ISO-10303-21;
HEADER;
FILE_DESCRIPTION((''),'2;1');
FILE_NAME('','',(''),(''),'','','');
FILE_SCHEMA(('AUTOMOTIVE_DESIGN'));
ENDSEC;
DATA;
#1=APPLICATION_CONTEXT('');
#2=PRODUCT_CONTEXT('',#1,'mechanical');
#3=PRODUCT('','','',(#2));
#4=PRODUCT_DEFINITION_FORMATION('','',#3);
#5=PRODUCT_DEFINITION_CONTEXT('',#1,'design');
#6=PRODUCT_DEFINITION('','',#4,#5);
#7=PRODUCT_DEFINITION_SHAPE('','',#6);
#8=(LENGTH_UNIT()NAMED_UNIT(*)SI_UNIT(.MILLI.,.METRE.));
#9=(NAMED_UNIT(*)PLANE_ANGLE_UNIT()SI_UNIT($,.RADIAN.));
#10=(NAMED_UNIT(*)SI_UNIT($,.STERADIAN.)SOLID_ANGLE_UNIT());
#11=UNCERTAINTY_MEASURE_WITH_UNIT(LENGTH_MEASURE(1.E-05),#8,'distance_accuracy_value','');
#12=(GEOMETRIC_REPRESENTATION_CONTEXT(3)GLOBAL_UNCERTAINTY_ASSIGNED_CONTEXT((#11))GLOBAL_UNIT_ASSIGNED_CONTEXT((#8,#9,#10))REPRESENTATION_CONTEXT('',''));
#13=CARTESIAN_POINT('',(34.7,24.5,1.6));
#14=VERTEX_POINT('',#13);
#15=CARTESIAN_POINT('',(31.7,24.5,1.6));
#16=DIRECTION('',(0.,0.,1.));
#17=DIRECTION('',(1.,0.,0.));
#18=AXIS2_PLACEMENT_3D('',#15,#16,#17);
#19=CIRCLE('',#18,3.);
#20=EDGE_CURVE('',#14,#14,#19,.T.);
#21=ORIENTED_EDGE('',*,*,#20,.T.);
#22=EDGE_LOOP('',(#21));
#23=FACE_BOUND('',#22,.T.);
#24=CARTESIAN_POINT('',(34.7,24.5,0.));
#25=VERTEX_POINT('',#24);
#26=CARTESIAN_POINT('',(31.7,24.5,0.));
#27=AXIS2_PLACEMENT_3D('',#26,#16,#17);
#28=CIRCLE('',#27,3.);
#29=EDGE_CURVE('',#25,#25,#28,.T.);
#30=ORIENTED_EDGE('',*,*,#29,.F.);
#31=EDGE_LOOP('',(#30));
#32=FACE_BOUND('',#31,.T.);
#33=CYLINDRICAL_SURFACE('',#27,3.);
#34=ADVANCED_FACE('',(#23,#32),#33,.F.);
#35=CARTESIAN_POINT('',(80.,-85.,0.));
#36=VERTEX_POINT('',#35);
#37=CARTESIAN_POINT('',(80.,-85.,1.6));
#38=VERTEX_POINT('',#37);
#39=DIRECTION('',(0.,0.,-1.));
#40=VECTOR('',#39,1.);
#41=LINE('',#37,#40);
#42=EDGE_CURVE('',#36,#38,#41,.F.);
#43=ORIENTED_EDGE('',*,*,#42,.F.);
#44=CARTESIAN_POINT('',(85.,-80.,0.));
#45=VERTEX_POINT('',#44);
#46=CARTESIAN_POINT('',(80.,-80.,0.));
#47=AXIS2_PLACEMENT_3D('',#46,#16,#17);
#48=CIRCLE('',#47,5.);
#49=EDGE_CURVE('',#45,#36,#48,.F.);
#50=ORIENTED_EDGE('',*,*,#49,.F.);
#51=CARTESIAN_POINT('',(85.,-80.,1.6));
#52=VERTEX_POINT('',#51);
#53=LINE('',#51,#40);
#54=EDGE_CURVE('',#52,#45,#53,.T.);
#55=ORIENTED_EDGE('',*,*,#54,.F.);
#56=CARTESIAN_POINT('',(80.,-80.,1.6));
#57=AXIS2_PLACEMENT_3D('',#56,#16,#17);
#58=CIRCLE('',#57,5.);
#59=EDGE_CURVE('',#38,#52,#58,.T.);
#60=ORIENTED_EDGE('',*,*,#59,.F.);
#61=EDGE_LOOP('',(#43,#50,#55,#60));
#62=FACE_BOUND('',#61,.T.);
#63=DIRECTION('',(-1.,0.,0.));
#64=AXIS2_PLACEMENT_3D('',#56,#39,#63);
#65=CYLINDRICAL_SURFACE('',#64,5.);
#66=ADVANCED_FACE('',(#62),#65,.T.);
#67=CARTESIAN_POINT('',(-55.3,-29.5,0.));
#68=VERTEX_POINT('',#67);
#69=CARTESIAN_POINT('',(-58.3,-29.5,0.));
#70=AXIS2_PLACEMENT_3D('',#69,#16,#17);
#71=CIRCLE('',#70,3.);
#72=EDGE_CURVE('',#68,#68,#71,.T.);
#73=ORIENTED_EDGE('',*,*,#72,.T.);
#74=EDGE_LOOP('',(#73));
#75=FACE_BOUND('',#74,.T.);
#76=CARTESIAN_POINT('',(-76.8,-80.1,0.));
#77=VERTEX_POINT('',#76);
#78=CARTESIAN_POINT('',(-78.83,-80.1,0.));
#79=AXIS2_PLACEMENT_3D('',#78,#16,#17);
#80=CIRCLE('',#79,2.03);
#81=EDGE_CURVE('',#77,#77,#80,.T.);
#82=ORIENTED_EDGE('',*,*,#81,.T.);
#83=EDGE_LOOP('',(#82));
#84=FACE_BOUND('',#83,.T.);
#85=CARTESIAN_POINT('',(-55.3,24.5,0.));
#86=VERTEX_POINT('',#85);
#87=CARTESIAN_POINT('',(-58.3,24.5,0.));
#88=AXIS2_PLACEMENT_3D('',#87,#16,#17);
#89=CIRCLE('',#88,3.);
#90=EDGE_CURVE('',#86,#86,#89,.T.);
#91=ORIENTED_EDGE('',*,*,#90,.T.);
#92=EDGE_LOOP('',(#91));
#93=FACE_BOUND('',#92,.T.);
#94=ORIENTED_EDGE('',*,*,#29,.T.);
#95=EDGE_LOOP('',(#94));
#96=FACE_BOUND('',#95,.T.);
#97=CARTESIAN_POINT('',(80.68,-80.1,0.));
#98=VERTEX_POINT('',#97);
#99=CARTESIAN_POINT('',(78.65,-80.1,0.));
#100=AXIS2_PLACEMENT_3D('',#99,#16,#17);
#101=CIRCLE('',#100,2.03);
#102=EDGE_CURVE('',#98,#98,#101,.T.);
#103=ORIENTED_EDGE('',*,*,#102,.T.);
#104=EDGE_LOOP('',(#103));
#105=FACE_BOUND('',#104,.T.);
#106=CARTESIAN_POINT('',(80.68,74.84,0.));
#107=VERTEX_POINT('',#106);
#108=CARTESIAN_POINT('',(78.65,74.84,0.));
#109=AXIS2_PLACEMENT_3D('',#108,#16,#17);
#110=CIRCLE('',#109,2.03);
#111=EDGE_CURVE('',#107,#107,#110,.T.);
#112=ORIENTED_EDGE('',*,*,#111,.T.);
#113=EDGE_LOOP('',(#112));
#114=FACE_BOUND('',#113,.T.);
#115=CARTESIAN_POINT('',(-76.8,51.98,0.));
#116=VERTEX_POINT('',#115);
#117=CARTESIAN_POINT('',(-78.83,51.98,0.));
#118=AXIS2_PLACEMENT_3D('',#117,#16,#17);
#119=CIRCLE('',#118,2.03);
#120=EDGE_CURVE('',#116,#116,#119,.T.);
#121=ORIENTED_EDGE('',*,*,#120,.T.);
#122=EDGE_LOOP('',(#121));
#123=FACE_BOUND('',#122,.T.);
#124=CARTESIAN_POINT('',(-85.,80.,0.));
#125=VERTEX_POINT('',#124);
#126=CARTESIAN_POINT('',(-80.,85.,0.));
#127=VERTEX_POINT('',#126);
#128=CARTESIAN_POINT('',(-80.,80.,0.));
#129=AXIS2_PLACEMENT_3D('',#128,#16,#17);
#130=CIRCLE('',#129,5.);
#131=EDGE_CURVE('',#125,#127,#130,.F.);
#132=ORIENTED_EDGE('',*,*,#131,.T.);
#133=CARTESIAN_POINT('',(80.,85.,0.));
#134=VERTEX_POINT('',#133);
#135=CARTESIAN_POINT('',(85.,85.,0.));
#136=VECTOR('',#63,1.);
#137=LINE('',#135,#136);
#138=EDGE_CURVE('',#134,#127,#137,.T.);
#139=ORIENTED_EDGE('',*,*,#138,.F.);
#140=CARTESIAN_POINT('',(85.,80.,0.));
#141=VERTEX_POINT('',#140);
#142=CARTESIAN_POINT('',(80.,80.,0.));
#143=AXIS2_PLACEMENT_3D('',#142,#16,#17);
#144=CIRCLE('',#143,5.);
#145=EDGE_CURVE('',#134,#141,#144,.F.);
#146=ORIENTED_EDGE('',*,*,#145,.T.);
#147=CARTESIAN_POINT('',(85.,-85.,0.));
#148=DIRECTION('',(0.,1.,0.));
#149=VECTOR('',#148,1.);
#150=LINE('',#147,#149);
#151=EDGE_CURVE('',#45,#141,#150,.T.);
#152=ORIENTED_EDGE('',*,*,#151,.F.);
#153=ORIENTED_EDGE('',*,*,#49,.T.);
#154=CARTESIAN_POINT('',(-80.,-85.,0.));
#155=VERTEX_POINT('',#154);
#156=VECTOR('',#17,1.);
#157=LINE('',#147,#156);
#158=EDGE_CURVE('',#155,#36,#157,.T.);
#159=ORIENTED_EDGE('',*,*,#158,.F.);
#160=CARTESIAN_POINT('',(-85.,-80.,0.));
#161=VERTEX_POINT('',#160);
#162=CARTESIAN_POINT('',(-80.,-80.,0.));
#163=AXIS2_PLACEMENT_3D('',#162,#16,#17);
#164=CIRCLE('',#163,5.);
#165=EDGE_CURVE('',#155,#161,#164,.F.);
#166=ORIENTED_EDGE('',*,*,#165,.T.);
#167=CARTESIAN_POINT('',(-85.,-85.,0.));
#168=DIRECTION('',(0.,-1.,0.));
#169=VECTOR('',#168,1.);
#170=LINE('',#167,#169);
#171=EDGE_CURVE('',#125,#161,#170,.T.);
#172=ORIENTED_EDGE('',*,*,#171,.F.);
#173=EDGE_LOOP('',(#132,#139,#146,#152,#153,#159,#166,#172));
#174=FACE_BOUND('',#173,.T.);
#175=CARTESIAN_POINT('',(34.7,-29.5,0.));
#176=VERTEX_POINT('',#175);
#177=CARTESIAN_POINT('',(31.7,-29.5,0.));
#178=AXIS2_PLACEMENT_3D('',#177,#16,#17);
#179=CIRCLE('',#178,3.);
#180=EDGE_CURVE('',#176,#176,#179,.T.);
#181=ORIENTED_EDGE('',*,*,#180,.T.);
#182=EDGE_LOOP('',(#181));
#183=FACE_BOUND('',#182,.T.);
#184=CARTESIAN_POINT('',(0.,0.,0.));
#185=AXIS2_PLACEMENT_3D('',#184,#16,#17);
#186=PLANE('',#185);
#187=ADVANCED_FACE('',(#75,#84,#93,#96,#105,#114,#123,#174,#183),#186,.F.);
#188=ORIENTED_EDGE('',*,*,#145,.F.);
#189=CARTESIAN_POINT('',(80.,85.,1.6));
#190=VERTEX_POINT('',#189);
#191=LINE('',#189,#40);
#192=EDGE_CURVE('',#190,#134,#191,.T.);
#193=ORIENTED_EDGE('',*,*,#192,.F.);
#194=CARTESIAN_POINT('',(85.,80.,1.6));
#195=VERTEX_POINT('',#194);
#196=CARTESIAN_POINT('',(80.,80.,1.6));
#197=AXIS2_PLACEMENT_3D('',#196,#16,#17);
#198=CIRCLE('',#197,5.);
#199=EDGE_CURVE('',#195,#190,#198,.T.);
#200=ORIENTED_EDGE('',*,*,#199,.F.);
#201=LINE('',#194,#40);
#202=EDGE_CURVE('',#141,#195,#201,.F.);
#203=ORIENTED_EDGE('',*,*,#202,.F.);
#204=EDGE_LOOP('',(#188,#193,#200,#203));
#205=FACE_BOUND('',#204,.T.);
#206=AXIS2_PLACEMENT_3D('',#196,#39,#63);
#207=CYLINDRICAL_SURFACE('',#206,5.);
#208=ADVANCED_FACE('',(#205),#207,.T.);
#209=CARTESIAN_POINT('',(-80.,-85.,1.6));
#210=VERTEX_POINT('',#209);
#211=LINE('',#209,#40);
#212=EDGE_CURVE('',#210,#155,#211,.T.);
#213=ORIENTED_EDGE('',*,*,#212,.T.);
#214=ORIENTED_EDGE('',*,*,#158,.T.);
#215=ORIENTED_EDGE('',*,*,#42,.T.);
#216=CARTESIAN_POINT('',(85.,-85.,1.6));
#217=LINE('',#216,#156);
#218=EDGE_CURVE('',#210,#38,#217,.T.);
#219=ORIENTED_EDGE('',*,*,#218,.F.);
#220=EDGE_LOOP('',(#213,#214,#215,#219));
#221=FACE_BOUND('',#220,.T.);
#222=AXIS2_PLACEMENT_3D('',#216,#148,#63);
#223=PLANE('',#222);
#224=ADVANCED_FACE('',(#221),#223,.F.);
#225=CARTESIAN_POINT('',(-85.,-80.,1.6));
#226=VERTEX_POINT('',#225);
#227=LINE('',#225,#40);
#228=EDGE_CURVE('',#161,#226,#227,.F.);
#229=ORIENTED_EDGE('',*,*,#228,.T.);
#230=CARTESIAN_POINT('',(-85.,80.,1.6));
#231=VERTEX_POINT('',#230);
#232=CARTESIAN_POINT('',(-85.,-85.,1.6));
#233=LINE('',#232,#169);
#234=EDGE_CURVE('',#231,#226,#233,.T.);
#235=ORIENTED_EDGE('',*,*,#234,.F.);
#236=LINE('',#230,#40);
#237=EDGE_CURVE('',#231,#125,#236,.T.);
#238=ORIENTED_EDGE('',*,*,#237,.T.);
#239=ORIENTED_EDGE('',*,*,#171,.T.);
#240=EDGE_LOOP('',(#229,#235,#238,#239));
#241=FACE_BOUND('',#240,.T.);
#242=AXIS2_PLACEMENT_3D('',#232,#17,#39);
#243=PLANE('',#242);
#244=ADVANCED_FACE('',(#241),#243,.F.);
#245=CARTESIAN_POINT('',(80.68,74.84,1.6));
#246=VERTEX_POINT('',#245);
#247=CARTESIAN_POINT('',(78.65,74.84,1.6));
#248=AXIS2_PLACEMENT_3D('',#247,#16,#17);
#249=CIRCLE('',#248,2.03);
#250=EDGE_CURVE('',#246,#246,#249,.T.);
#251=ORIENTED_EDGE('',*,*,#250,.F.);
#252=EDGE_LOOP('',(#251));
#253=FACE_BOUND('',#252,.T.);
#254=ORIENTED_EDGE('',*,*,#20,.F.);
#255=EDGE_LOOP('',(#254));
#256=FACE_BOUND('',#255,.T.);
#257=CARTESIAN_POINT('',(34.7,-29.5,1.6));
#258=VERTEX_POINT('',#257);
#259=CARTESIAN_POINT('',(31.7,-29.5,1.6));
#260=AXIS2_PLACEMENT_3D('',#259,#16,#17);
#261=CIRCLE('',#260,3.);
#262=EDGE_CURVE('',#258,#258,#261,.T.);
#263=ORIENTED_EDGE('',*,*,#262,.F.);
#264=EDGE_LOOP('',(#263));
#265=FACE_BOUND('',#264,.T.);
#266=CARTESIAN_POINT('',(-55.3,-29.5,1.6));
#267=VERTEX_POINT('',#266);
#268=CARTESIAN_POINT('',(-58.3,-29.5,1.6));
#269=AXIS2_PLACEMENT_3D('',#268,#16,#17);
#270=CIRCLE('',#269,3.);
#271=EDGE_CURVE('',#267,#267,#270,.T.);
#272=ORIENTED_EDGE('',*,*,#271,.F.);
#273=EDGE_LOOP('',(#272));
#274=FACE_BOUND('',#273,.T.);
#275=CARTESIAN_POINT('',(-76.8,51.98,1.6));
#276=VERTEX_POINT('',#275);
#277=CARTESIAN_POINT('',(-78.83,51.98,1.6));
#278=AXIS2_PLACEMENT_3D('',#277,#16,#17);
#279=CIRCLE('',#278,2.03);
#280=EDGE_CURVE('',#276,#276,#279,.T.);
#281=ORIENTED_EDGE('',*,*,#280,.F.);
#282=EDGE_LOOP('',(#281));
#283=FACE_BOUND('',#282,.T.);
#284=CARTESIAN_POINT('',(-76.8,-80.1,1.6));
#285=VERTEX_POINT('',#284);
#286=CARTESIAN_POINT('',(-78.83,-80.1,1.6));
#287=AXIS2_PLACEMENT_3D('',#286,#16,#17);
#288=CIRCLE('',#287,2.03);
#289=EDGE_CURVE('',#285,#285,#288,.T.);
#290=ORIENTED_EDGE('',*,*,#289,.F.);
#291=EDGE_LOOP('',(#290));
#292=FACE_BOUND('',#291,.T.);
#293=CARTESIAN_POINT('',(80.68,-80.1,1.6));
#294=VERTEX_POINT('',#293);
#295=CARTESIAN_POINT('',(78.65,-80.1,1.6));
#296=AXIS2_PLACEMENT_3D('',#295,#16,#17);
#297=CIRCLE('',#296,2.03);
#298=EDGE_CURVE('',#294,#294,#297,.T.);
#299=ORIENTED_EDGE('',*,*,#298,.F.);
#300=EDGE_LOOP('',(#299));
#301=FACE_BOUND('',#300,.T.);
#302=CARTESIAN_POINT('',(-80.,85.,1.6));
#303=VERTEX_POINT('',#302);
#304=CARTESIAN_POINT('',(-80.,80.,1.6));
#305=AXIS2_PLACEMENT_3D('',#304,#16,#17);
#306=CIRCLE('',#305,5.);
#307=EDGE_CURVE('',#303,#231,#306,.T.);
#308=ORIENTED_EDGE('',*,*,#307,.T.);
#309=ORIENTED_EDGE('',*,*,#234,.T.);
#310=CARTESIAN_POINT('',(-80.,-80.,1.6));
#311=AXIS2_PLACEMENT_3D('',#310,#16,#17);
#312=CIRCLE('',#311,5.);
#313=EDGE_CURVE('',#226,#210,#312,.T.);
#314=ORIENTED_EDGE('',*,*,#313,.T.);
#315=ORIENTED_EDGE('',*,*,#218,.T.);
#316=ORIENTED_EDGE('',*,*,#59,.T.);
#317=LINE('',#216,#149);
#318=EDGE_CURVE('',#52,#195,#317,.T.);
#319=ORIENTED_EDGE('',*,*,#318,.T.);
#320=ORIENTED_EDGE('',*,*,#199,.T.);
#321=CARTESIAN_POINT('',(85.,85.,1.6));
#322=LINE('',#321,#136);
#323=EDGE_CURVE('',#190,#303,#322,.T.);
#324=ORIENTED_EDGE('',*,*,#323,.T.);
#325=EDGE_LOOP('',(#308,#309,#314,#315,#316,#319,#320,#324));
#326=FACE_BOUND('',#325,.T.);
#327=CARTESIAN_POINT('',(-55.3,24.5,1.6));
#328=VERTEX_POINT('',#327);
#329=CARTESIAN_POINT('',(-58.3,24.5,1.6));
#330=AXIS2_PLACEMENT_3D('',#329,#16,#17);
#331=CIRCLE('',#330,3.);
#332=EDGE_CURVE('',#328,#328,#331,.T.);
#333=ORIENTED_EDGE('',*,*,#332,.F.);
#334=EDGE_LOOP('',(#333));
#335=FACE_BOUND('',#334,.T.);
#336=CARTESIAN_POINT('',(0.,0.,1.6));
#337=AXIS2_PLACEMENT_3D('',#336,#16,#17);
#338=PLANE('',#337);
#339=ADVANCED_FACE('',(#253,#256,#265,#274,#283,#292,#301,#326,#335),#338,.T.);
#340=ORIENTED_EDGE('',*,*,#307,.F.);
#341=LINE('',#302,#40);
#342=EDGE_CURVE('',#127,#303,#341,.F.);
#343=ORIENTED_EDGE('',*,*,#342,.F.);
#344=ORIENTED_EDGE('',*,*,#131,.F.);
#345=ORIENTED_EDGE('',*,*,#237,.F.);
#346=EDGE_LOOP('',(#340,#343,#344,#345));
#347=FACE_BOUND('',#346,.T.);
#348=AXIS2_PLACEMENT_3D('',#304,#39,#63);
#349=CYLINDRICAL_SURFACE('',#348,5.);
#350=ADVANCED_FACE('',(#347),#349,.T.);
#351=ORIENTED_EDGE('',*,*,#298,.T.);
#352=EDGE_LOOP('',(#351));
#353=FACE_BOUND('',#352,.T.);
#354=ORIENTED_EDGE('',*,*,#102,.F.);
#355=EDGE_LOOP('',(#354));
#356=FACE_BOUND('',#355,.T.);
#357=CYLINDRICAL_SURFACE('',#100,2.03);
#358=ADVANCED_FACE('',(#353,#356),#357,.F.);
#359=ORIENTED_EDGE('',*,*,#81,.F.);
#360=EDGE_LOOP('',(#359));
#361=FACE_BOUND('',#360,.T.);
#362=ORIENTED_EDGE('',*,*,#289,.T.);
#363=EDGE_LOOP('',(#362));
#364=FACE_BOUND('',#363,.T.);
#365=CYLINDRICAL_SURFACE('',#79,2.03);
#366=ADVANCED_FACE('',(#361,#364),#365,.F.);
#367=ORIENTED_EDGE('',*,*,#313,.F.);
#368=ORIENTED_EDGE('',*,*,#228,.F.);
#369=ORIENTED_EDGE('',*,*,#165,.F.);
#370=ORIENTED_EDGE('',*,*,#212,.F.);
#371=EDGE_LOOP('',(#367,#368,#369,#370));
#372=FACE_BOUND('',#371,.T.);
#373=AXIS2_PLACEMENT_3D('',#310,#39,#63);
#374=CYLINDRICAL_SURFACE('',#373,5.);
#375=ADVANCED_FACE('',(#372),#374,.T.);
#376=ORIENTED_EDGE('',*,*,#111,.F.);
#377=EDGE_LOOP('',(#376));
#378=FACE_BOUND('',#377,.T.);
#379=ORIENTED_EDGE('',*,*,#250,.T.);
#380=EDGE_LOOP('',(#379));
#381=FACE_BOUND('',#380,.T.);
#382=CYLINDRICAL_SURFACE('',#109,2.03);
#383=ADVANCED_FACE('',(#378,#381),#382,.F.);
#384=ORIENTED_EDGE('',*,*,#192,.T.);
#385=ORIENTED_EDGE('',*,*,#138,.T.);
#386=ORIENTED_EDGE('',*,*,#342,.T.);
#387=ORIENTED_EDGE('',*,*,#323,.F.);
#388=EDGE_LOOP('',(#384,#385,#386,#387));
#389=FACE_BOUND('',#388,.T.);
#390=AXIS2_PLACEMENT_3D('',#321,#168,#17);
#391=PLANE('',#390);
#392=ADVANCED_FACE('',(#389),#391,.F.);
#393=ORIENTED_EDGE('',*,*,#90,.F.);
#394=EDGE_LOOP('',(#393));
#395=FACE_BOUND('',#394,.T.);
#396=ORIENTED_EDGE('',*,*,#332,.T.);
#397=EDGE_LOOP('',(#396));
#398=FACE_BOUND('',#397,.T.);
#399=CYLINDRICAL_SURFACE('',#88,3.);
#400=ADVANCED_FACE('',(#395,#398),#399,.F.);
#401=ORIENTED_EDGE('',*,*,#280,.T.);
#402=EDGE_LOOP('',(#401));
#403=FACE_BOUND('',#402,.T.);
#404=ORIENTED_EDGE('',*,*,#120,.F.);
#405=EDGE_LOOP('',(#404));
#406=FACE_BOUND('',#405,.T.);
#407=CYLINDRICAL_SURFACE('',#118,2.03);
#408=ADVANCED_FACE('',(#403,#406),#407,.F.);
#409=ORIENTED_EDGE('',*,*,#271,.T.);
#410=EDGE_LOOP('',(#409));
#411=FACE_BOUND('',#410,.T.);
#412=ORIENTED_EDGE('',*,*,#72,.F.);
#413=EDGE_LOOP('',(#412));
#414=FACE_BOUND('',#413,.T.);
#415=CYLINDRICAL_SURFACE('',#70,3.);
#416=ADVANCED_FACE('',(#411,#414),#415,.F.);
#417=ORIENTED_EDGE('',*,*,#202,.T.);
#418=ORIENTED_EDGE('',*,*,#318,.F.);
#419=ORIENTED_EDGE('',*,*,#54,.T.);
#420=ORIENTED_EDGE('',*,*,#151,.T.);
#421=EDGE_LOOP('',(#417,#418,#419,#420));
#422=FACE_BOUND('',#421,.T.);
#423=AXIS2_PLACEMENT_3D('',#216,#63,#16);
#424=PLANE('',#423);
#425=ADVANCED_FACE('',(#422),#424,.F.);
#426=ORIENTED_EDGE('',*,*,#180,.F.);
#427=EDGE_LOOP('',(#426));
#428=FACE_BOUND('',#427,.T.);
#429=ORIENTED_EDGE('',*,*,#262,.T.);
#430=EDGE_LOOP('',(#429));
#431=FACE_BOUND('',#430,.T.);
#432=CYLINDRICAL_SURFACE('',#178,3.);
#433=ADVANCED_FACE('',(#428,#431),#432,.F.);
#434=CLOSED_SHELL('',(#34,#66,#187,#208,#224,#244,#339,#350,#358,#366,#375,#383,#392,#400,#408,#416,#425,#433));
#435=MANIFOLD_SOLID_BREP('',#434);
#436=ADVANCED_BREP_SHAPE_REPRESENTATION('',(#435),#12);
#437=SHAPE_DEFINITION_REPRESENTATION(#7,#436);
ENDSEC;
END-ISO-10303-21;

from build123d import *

# Parameters (mm, degrees)
SKETCH1_W            = 170
SKETCH1_H            = 170
BASE_DEPTH           = 1.6
ROUNDING_CORNERS_R   = 5
SKETCH2_R            = 2.03
MOUNTING_HOLES_DEPTH = 1.6
SKETCH4_R            = 3
COOLER_HOLES_DEPTH   = 1.6


with BuildPart() as part:
    # Sketch1 → Base (new body)
    with BuildSketch(Plane.XY):
        Rectangle(SKETCH1_W, SKETCH1_H)
    extrude(amount=BASE_DEPTH)

    # Rounding corners
    rounding_corners_edges = [part.edges().sort_by_distance(p)[0] for p in [
        (-85, 85, 0.8),
        (85, 85, 0.8),
        (85, -85, 0.8),
        (-85, -85, 0.8),
    ]]
    fillet(rounding_corners_edges, radius=ROUNDING_CORNERS_R)

    # Sketch2 → Mounting holes (cut)
    with BuildSketch(Plane.XY.offset(1.6)):
        with Locations((-78.83, 51.98)):
            Circle(SKETCH2_R)
        with Locations((78.65, 74.84)):
            Circle(SKETCH2_R)
        with Locations((-78.83, -80.1)):
            Circle(SKETCH2_R)
        with Locations((78.65, -80.1)):
            Circle(SKETCH2_R)
    extrude(amount=-MOUNTING_HOLES_DEPTH, mode=Mode.SUBTRACT)

    # Sketch4 → Cooler holes (cut)
    with BuildSketch(Plane.XY.offset(1.6)):
        with Locations((-58.3, 24.5)):
            Circle(SKETCH4_R)
        with Locations((31.7, 24.5)):
            Circle(SKETCH4_R)
        with Locations((31.7, -29.5)):
            Circle(SKETCH4_R)
        with Locations((-58.3, -29.5)):
            Circle(SKETCH4_R)
    extrude(amount=-COOLER_HOLES_DEPTH, mode=Mode.SUBTRACT)


solid = part.part
